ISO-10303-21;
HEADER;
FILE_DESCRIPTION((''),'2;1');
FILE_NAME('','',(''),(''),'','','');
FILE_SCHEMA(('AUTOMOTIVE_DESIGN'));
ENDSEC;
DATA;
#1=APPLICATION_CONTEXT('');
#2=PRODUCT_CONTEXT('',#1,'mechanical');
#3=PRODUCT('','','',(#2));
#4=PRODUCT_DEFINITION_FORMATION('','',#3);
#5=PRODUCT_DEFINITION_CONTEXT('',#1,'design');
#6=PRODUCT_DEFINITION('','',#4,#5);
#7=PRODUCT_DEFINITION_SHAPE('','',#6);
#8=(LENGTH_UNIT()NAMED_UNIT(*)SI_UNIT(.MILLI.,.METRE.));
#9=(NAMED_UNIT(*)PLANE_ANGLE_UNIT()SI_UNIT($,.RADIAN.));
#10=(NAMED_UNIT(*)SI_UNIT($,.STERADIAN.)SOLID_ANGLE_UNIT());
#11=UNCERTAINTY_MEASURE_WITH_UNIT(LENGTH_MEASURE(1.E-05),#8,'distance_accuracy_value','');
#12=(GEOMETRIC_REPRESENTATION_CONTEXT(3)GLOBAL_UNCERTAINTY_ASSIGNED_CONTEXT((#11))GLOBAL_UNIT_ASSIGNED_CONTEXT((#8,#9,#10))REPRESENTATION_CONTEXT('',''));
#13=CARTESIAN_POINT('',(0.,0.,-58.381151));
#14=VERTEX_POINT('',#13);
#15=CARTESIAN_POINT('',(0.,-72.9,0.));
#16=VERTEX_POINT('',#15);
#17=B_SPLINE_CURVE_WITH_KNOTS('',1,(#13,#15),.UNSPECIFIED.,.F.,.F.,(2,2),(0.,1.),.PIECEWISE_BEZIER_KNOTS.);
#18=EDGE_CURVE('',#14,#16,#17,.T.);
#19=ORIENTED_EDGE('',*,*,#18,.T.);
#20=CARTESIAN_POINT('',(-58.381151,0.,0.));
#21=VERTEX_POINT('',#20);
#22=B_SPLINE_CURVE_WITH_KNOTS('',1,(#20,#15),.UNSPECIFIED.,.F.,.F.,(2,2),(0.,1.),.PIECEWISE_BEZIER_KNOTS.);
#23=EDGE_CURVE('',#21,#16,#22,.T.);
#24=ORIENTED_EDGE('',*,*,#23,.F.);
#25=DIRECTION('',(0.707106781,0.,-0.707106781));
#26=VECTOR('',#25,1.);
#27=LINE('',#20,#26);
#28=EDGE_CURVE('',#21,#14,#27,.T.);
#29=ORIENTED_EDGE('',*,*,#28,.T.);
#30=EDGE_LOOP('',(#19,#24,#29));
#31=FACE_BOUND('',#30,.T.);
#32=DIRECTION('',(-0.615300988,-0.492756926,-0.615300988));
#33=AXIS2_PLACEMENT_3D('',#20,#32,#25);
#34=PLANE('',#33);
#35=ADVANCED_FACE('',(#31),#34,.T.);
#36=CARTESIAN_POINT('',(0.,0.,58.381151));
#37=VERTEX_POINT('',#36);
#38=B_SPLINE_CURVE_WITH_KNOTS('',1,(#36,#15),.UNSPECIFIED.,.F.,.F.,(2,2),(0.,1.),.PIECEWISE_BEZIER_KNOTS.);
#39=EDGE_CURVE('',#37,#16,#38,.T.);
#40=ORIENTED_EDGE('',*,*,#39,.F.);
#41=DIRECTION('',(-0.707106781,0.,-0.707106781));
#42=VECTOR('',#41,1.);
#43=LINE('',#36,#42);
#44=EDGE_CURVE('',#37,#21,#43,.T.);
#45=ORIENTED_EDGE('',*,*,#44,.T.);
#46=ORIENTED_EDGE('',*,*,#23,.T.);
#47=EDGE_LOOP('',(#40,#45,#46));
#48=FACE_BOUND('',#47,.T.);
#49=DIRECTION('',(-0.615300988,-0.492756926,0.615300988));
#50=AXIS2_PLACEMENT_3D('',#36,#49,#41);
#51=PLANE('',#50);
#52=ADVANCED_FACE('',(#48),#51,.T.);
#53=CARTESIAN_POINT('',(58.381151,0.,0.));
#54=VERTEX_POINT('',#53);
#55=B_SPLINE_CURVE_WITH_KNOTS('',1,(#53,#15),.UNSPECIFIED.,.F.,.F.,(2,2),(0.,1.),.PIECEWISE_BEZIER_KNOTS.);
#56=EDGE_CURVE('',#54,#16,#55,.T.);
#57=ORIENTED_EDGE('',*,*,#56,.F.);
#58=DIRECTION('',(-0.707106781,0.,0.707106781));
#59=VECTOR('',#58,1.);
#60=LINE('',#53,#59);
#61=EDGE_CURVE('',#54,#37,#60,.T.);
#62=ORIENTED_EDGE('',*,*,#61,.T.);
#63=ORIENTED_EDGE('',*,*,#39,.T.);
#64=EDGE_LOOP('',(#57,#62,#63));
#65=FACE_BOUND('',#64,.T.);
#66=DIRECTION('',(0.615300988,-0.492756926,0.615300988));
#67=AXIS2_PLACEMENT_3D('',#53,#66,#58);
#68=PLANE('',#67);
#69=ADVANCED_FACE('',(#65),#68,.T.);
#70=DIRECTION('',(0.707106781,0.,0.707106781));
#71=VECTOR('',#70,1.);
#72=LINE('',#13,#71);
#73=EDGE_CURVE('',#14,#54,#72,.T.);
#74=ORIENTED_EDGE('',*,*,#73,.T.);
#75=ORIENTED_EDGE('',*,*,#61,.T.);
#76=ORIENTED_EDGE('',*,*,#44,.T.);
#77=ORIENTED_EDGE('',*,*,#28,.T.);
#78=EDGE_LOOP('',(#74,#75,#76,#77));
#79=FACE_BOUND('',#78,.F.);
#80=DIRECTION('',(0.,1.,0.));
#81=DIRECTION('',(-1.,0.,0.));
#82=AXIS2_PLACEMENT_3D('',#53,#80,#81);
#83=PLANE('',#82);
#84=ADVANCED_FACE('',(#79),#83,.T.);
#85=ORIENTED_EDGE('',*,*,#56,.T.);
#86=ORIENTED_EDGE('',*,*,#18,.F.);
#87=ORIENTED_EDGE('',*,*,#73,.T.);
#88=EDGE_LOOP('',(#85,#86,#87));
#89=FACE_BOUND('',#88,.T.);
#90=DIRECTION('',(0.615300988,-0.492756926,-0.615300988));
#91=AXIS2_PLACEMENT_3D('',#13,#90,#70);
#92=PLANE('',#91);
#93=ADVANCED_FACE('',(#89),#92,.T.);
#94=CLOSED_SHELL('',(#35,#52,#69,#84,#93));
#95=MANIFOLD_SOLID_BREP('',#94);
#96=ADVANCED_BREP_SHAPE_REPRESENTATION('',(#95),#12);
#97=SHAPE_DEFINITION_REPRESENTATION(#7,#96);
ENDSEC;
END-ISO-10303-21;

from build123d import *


with BuildPart() as f3:
    # F0 (on Front) → F3 section 0
    with BuildSketch(Plane.XZ, mode=Mode.PRIVATE) as f3_s0:
        Polygon((58.381151, 0), (0, 58.381151), (-58.381151, 0), (0, -58.381151), align=None)
    loft([f3_s0.sketch, Vertex(0, -72.9, 0)])


solid = f3.part
